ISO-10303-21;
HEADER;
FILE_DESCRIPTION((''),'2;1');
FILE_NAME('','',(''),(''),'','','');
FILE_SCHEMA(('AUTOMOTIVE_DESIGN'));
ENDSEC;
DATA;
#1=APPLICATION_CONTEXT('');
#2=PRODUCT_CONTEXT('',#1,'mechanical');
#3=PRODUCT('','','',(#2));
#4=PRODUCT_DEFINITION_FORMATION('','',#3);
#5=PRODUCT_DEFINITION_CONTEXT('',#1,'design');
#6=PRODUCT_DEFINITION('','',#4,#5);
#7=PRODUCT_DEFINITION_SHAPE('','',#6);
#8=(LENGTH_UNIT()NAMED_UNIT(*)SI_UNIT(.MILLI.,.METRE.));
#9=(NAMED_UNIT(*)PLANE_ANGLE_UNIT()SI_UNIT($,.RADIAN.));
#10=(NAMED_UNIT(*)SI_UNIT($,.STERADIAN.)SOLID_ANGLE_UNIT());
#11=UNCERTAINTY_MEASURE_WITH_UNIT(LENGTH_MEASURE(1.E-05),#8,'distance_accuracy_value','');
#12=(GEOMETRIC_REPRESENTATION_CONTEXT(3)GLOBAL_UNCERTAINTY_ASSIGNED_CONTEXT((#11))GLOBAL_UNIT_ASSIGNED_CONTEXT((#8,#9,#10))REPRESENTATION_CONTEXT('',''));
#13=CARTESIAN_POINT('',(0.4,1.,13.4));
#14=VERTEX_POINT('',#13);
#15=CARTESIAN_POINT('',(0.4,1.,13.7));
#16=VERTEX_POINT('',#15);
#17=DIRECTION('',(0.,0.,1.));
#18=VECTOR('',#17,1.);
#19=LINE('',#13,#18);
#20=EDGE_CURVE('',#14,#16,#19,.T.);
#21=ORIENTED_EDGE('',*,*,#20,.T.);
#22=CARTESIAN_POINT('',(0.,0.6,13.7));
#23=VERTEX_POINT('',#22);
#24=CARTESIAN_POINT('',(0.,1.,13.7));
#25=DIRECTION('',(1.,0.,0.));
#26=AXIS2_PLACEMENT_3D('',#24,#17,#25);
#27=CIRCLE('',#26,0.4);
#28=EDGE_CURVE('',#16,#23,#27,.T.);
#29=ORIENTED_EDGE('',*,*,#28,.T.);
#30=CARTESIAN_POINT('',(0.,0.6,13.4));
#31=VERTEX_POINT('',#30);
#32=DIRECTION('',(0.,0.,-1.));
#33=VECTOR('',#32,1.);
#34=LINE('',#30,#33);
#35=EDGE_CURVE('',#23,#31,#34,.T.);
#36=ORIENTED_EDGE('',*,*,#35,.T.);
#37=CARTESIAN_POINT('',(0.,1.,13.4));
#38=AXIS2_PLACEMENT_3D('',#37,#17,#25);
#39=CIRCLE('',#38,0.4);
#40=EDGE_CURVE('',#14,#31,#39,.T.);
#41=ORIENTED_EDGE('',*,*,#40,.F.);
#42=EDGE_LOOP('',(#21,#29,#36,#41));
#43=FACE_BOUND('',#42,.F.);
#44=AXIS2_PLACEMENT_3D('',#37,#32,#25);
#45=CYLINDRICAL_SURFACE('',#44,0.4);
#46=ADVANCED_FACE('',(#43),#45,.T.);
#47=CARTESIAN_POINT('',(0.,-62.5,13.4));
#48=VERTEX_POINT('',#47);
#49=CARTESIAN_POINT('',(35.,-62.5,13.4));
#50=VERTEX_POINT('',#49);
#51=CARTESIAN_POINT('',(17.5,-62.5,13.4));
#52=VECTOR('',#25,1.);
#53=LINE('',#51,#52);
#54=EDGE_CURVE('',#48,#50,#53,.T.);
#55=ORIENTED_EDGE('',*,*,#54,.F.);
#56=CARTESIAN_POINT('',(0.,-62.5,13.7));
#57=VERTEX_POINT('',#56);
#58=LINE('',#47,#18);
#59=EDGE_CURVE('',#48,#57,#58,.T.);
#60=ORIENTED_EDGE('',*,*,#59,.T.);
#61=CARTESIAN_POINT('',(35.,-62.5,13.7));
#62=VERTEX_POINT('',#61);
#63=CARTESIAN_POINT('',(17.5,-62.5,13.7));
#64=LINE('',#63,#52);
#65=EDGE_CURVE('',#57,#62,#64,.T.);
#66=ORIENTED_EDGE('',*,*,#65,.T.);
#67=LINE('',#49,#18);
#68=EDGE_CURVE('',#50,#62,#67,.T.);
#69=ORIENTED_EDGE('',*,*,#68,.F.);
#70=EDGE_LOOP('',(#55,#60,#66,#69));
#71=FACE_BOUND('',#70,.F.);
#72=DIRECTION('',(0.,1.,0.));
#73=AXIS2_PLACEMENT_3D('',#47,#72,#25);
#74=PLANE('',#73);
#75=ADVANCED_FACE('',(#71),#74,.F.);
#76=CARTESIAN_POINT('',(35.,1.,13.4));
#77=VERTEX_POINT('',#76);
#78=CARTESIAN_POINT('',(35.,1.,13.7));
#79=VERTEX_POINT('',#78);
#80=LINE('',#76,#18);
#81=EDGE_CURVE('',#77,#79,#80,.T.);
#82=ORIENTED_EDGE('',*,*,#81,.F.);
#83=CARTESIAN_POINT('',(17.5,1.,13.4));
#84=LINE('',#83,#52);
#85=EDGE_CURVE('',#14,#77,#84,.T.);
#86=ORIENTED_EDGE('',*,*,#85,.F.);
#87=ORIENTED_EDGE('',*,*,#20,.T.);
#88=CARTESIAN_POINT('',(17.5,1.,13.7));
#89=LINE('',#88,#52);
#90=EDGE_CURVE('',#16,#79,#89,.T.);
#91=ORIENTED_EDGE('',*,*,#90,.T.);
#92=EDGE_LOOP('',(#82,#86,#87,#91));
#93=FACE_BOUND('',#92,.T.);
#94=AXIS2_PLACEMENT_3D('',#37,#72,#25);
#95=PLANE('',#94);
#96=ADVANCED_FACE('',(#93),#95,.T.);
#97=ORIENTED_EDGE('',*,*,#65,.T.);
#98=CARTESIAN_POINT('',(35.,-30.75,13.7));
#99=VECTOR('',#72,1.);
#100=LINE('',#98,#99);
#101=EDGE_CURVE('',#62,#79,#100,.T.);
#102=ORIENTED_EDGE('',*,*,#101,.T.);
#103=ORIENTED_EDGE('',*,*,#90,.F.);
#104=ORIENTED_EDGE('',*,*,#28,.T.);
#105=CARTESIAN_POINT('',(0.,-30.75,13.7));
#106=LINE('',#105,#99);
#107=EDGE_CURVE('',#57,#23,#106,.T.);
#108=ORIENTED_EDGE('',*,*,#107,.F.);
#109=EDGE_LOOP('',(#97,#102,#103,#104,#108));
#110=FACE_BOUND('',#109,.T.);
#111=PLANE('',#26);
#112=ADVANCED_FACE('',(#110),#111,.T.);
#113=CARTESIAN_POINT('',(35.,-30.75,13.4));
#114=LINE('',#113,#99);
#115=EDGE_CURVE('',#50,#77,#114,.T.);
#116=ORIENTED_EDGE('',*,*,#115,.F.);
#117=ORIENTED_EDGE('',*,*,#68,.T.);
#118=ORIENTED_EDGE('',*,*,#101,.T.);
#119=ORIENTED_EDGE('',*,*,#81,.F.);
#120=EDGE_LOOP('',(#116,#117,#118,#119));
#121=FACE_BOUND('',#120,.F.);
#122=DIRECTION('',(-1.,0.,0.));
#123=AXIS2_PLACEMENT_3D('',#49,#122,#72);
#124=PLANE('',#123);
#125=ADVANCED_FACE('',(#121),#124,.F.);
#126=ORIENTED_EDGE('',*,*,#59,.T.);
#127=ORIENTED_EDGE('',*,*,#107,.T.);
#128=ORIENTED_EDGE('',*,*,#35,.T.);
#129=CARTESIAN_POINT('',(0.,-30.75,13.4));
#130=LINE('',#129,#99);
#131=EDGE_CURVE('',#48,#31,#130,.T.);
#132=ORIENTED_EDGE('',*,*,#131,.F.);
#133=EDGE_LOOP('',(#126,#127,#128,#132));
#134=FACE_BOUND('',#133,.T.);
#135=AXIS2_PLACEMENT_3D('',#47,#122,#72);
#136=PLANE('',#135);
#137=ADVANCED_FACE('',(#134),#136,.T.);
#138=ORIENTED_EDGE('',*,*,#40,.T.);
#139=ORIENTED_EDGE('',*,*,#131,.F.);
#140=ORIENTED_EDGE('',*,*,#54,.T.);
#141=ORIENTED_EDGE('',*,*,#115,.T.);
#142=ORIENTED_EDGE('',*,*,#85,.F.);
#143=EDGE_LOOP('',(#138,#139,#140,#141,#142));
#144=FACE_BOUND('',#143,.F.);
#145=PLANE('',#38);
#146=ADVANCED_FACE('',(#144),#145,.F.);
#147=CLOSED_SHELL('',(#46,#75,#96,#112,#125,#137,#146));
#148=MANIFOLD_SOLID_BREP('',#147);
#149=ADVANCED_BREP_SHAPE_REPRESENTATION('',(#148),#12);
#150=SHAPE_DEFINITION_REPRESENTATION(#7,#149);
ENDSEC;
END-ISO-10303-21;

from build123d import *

# Parameters (mm, degrees)
CYLINDER_R     = 0.4
CYLINDER_DEPTH = 0.3
BOX003_W       = 35
BOX003_H       = 63.5
BOX003_DEPTH   = 0.3


with BuildPart() as cylinder:
    # Cylinder → Cylinder (new body)
    with BuildSketch(Plane(origin=(0, 1, 11.4), x_dir=(1, 0, 0), z_dir=(0, 0, 1))):
        Circle(CYLINDER_R)
    extrude(amount=CYLINDER_DEPTH)


with BuildPart() as displayframe:
    # Box003 → Box003 (new body)
    with BuildSketch(Plane(origin=(0, -62.5, 11.4), x_dir=(1, 0, 0), z_dir=(0, 0, 1))):
        with Locations((17.5, 31.75)):
            Rectangle(BOX003_W, BOX003_H)
    extrude(amount=BOX003_DEPTH)

    # Fusion: union Cylinder
    add(cylinder.part)


with BuildPart() as displayframe_1:
    # Fusion placement: moved
    add(displayframe.part.moved(Location((0, 0, 2))))


solid = displayframe_1.part
